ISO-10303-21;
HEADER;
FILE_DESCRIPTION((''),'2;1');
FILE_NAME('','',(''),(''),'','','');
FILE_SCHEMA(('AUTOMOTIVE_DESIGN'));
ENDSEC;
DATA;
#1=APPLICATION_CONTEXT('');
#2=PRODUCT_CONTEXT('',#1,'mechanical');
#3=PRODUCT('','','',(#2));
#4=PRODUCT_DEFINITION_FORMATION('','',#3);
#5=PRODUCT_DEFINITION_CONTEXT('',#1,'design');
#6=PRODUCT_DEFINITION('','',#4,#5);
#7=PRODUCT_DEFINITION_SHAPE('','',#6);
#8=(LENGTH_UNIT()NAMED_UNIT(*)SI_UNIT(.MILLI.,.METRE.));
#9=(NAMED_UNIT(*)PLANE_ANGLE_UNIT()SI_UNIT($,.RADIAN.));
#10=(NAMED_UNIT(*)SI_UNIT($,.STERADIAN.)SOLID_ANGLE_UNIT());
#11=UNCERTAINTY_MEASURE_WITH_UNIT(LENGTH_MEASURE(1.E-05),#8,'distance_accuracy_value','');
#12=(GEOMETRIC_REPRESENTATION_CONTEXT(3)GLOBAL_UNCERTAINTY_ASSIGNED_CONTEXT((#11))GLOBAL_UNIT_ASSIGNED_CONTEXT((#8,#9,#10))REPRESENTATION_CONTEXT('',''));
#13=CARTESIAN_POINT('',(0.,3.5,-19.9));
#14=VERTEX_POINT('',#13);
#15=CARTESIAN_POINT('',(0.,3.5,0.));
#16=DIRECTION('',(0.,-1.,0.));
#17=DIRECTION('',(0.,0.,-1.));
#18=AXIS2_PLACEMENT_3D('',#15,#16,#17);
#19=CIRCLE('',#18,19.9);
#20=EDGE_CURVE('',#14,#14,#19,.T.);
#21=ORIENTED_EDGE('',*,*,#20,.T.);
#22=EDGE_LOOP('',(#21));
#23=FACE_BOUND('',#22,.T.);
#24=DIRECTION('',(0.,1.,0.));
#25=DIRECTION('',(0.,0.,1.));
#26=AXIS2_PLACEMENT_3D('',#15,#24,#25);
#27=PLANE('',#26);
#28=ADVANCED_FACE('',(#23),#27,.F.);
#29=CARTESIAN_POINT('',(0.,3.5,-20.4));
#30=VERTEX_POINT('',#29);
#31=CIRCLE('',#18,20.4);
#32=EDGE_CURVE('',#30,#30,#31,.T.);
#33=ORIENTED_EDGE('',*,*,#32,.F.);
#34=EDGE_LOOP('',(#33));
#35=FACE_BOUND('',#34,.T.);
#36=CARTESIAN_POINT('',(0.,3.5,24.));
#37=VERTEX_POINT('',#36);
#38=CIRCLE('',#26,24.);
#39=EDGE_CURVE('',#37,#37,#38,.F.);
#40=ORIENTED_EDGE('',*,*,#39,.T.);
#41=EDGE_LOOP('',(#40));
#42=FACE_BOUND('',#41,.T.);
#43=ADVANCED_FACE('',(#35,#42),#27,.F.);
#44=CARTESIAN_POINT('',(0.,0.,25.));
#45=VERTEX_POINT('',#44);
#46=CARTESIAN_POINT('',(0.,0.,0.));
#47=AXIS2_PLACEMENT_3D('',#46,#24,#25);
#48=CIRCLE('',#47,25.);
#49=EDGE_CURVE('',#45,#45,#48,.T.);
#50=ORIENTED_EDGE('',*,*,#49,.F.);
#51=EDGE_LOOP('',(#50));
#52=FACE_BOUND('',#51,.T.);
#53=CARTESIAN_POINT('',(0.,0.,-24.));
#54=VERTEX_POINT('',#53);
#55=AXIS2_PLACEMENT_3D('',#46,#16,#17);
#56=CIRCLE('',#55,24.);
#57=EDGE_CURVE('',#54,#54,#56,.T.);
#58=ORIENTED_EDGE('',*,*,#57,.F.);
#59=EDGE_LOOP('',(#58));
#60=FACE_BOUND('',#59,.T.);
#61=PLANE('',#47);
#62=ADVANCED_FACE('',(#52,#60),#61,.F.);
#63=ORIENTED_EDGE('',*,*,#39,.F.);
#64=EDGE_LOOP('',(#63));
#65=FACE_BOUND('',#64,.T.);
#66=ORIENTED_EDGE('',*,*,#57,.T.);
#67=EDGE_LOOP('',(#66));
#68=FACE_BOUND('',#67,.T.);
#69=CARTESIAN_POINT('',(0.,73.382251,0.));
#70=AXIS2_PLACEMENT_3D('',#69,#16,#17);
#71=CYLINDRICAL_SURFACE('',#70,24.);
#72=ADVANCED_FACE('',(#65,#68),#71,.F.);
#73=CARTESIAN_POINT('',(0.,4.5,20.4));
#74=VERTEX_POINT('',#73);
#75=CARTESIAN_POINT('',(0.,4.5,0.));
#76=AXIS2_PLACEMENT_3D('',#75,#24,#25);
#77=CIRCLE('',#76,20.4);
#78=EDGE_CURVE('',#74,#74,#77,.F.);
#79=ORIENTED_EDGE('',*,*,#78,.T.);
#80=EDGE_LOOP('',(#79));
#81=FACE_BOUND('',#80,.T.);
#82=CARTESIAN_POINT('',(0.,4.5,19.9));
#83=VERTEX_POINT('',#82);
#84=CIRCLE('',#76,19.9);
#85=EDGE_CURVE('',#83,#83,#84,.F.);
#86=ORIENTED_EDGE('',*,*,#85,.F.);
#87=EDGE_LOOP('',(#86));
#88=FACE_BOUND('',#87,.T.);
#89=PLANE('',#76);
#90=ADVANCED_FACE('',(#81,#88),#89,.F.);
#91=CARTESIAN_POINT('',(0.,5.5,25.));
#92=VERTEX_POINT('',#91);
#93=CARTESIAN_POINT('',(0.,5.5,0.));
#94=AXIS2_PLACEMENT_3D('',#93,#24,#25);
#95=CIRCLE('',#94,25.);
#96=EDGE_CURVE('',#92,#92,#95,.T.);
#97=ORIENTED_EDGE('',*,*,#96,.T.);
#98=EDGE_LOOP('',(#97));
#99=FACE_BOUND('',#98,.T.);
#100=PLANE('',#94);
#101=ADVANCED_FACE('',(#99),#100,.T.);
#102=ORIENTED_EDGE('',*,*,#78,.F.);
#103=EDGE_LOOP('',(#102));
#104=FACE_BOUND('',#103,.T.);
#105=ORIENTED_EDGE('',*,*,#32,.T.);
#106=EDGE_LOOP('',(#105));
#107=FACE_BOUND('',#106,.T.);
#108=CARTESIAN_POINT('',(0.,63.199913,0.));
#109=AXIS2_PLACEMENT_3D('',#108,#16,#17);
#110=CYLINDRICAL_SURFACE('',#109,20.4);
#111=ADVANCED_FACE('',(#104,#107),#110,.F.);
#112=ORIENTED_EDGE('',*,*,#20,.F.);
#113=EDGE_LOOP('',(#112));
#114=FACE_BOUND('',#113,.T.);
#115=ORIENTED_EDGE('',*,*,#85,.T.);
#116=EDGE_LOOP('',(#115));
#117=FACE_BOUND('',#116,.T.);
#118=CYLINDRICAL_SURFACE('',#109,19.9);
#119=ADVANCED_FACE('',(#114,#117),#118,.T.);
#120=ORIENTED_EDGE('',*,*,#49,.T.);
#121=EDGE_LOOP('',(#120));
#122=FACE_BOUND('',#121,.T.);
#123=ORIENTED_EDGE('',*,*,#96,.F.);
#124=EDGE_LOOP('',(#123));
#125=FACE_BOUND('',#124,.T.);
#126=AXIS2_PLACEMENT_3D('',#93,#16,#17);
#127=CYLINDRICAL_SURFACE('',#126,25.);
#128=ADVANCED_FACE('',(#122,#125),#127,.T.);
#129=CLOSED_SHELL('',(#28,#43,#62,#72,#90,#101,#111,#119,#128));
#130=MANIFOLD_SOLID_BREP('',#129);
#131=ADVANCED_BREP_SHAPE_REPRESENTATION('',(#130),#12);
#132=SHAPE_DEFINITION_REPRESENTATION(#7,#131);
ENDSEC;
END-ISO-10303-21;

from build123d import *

# Parameters (mm, degrees)
SKETCH1_R           = 25
BOSS_EXTRUDE1_DEPTH = 5.5
SKETCH2_R           = 24
CUT_EXTRUDE1_DEPTH  = 3.5
SKETCH3_R           = 20.4
SKETCH3_R_2         = 19.9
CUT_EXTRUDE2_DEPTH  = 1


with BuildPart() as part:
    # Sketch1 → Boss-Extrude1 (new body)
    with BuildSketch(Plane(origin=(0, 0, 0), x_dir=(1, 0, 0), z_dir=(0, 1, 0))):
        with Locations(Location((0, 0, 0), (0, 0, 270))):
            Circle(SKETCH1_R)
    extrude(amount=BOSS_EXTRUDE1_DEPTH)

    # Sketch2 → Cut-Extrude1 (cut)
    with BuildSketch(Plane.XZ):
        with Locations(Location((0, 0, 0), (0, 0, 270))):
            Circle(SKETCH2_R)
    extrude(amount=-CUT_EXTRUDE1_DEPTH, mode=Mode.SUBTRACT)

    # Sketch3 → Cut-Extrude2 (cut)
    with BuildSketch(Plane(origin=(0, 3.5, 0), x_dir=(-1, 0, 0), z_dir=(0, -1, 0))):
        with Locations(Location((0, 0, 0), (0, 0, 90))):
            Circle(SKETCH3_R)
        with Locations(Location((0, 0, 0), (0, 0, 90))):
            Circle(SKETCH3_R_2, mode=Mode.SUBTRACT)
    extrude(amount=-CUT_EXTRUDE2_DEPTH, mode=Mode.SUBTRACT)


solid = part.part
